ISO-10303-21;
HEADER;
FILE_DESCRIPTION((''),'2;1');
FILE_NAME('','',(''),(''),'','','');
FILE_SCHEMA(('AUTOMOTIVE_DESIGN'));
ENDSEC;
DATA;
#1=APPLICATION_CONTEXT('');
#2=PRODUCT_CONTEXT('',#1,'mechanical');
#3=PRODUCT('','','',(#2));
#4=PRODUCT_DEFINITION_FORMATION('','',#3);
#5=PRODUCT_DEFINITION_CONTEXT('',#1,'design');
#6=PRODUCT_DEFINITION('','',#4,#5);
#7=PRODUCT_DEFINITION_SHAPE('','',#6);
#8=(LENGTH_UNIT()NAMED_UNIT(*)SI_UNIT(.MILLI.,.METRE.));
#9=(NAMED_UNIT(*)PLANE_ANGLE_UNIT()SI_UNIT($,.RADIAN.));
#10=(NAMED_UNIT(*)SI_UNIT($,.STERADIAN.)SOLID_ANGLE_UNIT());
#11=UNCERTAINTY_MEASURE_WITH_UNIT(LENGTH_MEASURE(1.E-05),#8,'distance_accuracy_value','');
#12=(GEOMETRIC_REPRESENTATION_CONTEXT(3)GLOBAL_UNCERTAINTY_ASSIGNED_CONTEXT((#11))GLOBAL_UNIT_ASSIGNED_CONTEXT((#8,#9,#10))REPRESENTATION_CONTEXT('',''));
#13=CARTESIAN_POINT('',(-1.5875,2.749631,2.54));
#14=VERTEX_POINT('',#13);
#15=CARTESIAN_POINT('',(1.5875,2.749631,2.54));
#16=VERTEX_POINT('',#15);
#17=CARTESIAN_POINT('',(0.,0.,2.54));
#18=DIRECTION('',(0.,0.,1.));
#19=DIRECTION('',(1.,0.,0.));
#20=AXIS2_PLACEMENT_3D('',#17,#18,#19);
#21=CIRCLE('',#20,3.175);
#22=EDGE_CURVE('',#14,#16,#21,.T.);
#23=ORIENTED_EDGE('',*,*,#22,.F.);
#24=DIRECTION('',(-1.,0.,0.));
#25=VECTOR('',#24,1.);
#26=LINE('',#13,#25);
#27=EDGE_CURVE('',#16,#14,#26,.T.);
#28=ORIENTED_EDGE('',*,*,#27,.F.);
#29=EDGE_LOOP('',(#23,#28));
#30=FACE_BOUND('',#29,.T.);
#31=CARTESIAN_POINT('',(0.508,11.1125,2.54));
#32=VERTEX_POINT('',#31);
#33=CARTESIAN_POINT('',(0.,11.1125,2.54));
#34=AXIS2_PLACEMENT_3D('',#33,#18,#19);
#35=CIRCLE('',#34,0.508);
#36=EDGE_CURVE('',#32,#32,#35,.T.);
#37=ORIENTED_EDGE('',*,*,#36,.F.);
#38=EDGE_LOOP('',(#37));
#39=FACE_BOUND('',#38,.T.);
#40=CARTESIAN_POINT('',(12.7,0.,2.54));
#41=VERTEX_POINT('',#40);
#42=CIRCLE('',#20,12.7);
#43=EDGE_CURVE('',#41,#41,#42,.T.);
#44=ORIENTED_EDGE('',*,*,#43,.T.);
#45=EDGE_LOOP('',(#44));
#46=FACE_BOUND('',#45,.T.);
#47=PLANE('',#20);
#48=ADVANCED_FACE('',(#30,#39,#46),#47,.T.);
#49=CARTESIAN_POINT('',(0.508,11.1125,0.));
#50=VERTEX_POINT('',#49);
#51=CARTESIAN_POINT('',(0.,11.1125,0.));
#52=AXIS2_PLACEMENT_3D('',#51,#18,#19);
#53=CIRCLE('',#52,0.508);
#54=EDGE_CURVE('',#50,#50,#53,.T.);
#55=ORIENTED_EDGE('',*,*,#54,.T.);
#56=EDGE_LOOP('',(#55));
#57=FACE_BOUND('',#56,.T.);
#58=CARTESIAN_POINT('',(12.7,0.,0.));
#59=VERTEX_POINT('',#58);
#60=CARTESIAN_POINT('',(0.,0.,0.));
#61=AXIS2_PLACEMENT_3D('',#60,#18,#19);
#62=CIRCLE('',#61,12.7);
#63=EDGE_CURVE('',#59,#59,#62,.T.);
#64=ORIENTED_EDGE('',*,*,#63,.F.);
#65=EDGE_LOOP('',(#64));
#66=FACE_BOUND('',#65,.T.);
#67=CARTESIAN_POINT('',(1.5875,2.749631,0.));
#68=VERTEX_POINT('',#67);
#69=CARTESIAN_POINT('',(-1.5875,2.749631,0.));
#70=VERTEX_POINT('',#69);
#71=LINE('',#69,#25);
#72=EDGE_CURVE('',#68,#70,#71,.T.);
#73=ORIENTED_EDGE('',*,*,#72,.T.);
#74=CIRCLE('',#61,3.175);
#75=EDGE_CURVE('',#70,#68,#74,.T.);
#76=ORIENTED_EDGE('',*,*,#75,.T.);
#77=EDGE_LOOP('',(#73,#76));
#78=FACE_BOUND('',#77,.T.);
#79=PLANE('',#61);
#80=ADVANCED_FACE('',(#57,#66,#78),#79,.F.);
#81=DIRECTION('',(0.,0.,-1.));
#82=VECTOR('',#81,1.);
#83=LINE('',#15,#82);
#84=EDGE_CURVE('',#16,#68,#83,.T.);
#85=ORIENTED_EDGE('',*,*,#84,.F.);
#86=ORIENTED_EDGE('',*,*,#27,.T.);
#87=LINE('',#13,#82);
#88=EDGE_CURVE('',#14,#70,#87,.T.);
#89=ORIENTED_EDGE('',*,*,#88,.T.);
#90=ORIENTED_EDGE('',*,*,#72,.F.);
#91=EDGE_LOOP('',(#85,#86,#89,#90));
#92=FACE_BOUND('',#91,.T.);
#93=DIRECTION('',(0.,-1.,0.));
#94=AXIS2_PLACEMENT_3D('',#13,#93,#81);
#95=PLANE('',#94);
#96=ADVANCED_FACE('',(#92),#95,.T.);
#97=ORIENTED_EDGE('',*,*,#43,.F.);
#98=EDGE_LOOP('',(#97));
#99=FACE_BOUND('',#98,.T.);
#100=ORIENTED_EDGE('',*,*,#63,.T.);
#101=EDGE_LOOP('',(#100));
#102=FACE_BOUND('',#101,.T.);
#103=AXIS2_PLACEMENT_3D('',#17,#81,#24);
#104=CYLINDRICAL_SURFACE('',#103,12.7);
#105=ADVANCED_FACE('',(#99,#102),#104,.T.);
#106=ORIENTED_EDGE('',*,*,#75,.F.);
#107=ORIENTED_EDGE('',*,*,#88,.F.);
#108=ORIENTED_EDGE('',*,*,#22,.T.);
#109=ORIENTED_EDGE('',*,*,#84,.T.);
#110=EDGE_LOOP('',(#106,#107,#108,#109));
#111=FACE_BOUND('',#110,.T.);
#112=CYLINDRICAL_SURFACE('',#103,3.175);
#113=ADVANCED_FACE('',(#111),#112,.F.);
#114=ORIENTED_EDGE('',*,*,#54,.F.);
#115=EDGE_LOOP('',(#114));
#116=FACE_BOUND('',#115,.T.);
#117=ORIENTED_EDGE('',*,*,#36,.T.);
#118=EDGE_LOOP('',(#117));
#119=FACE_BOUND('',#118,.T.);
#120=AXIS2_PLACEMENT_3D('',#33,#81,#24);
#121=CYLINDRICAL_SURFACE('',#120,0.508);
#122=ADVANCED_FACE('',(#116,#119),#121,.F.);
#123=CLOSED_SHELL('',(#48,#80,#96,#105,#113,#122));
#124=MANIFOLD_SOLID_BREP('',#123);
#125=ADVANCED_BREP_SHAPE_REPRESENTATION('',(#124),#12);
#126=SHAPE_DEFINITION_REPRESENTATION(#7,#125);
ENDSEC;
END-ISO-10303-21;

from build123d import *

# Parameters (mm, degrees)
SKETCH2_R           = 12.7
SKETCH2_R_2         = 0.508
BOSS_EXTRUDE1_DEPTH = 2.54


with BuildPart() as part:
    # Sketch2 → Boss-Extrude1 (new body)
    with BuildSketch(Plane.XY):
        Circle(SKETCH2_R)
        with Locations((0, 11.1125)):
            Circle(SKETCH2_R_2, mode=Mode.SUBTRACT)
        with BuildLine():
            Line((-1.5875, 2.749630657), (1.5875, 2.749630657))
            ThreePointArc((1.5875, 2.749630657), (0, -3.175), (-1.5875, 2.749630657))
        make_face(mode=Mode.SUBTRACT)
    extrude(amount=BOSS_EXTRUDE1_DEPTH)


solid = part.part
